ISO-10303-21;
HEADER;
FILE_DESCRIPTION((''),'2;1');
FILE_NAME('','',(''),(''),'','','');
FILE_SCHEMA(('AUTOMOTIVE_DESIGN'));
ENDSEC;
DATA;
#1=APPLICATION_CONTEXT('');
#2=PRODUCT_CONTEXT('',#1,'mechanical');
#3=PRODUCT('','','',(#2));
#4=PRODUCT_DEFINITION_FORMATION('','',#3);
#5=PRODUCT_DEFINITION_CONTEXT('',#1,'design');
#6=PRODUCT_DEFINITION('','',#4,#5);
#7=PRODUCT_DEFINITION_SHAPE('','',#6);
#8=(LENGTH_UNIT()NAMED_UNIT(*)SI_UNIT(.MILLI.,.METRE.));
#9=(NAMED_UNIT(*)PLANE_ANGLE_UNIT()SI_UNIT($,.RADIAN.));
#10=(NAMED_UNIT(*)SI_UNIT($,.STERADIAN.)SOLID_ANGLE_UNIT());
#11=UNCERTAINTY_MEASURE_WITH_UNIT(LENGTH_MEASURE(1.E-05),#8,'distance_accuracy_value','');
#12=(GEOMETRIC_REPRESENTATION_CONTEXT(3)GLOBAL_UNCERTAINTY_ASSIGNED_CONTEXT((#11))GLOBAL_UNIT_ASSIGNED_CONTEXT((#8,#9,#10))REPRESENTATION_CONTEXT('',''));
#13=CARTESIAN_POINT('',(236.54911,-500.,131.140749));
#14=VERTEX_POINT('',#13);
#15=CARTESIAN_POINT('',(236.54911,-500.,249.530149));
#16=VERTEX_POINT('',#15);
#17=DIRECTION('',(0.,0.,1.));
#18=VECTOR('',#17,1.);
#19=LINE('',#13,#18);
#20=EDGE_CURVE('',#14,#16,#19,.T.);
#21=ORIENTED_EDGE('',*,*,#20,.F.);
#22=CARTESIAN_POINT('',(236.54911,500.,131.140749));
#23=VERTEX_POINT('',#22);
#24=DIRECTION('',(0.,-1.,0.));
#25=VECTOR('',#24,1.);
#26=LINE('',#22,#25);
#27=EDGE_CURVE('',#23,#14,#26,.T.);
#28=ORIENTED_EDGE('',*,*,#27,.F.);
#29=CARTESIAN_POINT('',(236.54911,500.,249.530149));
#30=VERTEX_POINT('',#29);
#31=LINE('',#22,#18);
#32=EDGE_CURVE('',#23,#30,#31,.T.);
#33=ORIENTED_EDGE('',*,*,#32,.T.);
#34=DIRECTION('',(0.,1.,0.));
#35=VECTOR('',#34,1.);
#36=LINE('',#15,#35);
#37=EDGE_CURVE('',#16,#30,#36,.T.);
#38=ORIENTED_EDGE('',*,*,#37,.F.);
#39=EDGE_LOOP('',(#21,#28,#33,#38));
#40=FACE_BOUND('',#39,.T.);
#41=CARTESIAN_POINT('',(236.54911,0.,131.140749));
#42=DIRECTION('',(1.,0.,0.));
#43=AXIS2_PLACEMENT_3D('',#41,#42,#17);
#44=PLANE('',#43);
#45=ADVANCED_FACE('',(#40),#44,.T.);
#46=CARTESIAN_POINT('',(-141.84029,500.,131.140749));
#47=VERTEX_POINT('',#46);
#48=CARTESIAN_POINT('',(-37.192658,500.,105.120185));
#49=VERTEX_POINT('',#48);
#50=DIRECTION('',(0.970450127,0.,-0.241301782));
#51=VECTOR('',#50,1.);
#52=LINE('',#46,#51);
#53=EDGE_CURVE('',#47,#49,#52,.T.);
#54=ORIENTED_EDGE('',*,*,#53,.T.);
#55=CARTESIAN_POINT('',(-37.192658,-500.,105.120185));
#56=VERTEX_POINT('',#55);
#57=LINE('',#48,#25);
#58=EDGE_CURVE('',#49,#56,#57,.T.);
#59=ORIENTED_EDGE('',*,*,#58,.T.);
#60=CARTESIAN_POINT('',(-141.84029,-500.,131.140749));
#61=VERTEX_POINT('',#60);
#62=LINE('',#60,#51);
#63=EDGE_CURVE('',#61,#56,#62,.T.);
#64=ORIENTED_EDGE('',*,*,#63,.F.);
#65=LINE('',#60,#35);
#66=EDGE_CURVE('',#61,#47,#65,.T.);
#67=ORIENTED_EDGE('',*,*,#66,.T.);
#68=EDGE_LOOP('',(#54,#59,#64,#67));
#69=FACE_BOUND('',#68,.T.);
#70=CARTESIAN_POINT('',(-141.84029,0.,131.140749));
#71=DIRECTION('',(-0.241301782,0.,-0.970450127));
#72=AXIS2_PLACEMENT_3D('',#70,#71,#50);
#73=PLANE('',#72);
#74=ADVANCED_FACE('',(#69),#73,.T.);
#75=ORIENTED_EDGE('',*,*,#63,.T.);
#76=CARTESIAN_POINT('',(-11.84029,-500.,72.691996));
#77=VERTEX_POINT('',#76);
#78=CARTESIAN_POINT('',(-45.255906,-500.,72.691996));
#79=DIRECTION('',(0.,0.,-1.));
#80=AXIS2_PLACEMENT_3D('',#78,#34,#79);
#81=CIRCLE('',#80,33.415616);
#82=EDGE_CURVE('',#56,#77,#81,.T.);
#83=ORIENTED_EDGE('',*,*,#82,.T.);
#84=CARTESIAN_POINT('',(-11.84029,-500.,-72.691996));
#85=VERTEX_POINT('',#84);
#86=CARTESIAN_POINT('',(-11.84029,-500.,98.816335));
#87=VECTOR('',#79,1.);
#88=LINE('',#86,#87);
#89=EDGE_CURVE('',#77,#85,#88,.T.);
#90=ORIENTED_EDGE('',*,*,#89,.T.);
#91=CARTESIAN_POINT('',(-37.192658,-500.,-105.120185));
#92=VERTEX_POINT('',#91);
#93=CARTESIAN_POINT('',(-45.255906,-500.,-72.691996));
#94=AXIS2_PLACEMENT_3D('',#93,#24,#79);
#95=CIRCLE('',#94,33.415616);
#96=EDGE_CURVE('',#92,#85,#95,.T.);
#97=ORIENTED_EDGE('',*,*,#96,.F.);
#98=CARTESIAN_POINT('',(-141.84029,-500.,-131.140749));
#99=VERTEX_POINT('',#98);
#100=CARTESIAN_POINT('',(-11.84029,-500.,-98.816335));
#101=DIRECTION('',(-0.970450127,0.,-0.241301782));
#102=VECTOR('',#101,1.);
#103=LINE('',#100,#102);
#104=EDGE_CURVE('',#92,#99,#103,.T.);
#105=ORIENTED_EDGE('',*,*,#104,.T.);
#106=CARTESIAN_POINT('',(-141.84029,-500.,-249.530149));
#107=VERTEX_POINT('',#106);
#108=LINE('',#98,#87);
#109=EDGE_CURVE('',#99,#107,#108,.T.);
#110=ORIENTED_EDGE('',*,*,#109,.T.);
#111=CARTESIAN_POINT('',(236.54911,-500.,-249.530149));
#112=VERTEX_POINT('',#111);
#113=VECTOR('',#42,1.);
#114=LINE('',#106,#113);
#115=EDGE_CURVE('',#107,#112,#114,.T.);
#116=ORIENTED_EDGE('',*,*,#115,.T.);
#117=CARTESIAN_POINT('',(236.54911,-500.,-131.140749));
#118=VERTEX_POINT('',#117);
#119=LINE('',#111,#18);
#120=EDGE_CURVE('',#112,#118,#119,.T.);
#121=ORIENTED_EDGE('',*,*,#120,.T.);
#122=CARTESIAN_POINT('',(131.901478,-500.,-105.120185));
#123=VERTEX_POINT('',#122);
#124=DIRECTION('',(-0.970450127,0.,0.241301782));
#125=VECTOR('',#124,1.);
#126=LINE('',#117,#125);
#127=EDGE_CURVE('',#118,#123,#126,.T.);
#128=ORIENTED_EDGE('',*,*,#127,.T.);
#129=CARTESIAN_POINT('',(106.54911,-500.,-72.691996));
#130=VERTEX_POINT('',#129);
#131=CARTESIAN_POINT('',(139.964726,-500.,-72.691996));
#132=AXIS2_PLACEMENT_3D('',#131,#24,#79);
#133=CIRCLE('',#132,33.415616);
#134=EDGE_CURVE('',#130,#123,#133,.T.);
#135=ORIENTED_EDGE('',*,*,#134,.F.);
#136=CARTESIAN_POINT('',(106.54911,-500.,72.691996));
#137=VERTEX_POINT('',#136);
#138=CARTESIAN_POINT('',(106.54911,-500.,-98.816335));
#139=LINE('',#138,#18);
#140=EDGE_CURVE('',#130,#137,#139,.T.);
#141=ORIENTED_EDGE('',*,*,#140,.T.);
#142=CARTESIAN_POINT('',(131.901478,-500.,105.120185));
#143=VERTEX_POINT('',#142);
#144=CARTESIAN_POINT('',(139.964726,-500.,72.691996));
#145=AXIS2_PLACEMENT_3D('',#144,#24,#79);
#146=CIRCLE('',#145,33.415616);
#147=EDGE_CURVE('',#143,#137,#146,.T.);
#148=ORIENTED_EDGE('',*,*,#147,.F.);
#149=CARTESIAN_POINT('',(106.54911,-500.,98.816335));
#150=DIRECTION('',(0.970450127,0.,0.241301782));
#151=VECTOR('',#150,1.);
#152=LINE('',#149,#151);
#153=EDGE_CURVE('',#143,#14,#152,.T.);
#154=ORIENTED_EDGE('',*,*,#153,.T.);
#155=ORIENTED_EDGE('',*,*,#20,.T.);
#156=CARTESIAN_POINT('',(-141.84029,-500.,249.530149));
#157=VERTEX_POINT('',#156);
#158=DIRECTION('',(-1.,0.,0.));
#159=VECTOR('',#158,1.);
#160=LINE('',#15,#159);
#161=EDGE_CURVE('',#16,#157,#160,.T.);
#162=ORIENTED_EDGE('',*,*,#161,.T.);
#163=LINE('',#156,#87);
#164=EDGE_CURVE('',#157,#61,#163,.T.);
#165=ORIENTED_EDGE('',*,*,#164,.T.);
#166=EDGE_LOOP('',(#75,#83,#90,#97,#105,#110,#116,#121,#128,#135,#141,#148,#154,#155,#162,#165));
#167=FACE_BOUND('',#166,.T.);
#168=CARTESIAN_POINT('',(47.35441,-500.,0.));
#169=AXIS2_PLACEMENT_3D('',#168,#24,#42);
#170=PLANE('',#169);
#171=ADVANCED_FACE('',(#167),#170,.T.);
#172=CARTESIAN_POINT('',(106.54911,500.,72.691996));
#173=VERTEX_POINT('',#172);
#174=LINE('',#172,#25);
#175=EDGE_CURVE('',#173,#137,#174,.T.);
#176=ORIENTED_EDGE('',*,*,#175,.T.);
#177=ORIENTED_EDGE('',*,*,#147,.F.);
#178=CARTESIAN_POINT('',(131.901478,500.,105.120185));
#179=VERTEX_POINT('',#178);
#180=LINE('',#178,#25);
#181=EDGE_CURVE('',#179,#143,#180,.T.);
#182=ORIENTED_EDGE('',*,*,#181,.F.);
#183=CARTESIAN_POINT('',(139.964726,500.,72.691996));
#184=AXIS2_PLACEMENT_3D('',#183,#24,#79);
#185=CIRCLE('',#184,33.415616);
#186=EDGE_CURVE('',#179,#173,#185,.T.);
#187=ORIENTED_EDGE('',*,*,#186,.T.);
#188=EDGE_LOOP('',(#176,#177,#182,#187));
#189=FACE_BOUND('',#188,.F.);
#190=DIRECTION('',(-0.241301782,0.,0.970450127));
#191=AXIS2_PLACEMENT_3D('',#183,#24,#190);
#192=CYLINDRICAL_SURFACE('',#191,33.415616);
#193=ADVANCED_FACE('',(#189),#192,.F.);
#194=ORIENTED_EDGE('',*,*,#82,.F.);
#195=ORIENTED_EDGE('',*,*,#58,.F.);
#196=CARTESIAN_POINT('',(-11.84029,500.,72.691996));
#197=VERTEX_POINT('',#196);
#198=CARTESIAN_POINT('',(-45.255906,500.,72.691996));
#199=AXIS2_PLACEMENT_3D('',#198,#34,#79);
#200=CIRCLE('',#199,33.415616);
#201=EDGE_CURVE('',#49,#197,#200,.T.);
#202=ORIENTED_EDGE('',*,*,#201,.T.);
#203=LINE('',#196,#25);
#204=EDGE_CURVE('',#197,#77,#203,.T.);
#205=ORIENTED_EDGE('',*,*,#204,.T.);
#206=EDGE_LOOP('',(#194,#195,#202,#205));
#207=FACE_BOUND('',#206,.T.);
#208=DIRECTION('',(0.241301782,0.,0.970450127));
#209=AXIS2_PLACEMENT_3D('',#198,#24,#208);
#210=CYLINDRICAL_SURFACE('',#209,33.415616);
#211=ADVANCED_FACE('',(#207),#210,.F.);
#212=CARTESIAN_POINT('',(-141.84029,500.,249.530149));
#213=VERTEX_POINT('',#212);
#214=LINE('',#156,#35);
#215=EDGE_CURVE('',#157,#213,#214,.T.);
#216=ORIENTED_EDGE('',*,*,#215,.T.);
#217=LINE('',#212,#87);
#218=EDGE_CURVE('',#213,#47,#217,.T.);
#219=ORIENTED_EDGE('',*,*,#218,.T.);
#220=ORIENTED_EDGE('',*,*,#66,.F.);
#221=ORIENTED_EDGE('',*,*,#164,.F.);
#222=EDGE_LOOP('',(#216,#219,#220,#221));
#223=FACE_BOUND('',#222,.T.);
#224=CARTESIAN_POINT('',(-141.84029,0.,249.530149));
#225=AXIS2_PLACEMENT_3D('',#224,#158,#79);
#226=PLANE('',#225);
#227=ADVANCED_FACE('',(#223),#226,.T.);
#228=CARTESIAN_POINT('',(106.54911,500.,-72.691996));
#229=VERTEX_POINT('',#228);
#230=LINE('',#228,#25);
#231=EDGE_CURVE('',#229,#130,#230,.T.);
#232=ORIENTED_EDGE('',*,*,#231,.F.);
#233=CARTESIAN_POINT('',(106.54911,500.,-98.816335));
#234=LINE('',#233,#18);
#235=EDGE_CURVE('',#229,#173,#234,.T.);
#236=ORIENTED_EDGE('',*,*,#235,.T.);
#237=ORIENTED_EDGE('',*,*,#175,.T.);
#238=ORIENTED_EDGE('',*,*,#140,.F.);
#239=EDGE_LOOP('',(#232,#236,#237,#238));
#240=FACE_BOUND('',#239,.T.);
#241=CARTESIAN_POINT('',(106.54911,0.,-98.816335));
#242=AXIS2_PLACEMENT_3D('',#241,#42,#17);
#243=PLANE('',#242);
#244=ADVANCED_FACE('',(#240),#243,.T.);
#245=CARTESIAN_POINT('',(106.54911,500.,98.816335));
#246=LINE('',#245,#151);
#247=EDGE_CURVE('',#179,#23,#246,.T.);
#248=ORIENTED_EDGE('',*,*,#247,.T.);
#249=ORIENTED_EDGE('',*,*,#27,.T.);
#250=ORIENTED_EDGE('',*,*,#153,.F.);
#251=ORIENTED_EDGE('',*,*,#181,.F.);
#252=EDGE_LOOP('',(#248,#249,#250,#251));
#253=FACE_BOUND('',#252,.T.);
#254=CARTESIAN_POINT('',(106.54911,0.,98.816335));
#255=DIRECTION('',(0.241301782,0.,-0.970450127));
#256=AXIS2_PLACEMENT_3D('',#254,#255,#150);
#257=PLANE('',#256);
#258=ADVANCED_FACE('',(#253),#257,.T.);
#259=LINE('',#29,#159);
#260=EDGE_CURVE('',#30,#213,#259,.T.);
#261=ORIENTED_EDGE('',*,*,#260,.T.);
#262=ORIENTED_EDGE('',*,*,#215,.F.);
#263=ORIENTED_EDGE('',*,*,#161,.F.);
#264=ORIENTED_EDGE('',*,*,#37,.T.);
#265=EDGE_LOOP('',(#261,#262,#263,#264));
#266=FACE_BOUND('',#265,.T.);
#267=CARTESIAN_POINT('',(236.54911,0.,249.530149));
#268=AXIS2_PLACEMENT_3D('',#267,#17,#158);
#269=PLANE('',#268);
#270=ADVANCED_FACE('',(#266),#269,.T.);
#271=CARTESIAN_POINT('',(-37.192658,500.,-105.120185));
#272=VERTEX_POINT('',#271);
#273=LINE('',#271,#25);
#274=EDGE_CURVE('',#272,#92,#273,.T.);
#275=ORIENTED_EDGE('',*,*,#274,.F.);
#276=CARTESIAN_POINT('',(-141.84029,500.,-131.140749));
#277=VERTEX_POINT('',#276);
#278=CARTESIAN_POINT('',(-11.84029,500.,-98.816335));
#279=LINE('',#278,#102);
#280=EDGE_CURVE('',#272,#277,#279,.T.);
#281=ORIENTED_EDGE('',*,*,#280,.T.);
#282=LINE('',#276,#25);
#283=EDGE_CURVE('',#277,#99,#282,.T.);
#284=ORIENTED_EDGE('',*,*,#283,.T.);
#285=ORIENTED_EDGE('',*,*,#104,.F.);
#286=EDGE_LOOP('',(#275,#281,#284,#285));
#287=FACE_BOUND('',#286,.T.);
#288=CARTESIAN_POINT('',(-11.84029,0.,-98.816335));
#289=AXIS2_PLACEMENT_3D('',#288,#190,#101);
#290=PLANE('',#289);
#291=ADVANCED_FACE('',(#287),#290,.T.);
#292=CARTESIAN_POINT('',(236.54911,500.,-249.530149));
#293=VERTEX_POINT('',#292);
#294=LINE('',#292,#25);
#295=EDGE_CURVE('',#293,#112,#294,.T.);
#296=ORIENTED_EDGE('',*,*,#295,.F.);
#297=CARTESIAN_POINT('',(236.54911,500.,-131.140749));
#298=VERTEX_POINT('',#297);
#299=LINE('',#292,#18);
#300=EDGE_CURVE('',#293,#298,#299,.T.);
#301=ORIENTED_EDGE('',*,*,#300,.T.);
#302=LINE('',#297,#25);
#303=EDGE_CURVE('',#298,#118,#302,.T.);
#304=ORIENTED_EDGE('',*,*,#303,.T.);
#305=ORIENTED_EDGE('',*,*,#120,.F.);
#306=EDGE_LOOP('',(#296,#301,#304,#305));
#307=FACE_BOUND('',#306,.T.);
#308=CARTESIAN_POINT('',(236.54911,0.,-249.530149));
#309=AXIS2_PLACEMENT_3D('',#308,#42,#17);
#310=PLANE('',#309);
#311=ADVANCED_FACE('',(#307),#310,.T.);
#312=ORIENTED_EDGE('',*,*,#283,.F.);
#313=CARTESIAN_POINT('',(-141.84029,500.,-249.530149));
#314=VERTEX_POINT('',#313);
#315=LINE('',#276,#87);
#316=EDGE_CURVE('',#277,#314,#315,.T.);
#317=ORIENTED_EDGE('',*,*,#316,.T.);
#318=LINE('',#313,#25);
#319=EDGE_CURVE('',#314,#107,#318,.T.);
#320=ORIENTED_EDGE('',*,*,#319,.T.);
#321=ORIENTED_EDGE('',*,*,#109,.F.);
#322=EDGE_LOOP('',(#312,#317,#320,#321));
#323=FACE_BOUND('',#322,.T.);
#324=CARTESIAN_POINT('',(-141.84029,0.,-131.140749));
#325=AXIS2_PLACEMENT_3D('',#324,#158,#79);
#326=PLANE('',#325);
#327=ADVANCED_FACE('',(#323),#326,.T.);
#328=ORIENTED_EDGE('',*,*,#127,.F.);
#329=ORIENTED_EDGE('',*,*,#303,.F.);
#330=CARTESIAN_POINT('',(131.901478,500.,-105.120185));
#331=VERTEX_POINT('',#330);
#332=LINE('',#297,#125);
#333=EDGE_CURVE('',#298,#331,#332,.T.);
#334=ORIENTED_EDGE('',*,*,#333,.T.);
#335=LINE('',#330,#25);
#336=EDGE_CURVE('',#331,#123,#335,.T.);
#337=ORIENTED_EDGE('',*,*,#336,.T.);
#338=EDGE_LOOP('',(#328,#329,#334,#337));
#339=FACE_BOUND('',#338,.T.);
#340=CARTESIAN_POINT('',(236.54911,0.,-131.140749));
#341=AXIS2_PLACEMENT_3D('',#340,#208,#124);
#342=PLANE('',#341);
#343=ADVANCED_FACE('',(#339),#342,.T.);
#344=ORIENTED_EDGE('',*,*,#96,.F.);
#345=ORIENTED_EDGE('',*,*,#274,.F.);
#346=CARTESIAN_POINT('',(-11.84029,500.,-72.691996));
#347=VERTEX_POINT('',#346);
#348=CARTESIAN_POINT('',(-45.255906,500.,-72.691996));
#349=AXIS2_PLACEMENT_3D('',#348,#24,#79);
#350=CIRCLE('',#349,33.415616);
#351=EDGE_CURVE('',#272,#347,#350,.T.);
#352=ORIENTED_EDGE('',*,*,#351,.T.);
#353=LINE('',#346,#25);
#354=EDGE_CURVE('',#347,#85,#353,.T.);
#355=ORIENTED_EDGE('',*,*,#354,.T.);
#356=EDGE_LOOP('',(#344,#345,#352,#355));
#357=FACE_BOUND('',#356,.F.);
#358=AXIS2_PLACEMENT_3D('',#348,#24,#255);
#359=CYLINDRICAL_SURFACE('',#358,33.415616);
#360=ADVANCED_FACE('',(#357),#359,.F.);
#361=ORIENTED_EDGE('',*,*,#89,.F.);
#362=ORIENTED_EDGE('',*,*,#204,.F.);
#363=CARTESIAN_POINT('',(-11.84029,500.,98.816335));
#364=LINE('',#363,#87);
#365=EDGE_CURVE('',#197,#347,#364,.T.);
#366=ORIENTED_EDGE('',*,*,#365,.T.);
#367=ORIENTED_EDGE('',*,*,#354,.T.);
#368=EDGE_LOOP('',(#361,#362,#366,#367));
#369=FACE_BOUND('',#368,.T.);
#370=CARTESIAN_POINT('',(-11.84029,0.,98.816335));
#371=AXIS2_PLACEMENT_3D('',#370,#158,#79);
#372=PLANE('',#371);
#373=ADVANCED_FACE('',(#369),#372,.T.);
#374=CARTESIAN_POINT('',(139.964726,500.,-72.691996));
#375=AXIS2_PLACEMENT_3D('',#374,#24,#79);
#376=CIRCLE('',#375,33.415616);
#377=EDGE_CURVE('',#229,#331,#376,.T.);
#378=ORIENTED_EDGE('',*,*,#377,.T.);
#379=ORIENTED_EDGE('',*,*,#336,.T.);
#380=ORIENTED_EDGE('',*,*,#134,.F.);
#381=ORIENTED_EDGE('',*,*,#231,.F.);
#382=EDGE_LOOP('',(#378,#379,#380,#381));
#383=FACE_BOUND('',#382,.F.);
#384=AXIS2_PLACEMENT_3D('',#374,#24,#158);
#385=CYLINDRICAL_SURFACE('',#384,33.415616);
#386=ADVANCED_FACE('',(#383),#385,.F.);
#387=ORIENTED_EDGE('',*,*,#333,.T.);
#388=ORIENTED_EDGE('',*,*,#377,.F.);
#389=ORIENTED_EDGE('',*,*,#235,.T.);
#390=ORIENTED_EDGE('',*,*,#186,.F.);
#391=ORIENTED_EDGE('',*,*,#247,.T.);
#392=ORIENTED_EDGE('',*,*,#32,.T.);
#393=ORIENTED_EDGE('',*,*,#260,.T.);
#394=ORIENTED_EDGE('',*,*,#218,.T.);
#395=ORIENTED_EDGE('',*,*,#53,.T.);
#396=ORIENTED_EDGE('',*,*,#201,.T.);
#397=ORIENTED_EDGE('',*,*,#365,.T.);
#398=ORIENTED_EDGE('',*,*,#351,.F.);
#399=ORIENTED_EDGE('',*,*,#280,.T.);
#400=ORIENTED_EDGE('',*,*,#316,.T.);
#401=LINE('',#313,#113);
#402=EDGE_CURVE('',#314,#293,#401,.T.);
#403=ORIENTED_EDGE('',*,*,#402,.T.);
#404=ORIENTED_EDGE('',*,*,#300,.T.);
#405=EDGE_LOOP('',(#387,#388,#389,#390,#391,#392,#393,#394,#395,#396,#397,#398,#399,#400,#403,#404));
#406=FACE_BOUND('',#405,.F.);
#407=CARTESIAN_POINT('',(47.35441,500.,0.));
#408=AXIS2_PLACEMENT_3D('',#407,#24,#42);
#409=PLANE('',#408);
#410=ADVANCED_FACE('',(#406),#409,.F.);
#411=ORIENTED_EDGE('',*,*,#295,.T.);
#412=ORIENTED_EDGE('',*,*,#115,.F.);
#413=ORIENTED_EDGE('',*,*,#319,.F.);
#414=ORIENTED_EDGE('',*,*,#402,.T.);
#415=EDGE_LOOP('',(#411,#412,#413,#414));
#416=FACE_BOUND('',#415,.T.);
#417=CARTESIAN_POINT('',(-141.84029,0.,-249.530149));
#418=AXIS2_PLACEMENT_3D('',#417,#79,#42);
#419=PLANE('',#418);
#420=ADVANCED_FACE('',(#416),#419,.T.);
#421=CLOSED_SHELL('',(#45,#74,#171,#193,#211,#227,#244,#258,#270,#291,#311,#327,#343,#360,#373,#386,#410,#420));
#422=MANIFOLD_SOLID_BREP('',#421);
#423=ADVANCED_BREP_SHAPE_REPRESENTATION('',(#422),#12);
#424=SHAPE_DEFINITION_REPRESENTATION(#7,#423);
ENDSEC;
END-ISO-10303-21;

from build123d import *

# Parameters (mm, degrees)
F1_DEPTH = 500
F2_R     = 33.415616


with BuildPart() as f1:
    # F0 (on Front) → F1 (new body, symmetric)
    with BuildSketch(Plane.XZ):
        Polygon((-141.84029, 131.140749), (-11.84029, 98.816335), (-11.84029, -98.816335), (-141.84029, -131.140749), (-141.84029, -249.530149), (236.54911, -249.530149), (236.54911, -131.140749), (106.54911, -98.816335), (106.54911, 98.816335), (236.54911, 131.140749), (236.54911, 249.530149), (-141.84029, 249.530149), align=None)
    extrude(amount=F1_DEPTH, both=True)

    # F2
    f2_edges = [f1.edges().sort_by_distance(p)[0] for p in [
        (106.54911, 0, -98.816335),
        (-11.84029, 0, 98.816335),
        (-11.84029, 0, -98.816335),
        (106.54911, 0, 98.816335),
    ]]
    fillet(f2_edges, radius=F2_R)


solid = f1.part
